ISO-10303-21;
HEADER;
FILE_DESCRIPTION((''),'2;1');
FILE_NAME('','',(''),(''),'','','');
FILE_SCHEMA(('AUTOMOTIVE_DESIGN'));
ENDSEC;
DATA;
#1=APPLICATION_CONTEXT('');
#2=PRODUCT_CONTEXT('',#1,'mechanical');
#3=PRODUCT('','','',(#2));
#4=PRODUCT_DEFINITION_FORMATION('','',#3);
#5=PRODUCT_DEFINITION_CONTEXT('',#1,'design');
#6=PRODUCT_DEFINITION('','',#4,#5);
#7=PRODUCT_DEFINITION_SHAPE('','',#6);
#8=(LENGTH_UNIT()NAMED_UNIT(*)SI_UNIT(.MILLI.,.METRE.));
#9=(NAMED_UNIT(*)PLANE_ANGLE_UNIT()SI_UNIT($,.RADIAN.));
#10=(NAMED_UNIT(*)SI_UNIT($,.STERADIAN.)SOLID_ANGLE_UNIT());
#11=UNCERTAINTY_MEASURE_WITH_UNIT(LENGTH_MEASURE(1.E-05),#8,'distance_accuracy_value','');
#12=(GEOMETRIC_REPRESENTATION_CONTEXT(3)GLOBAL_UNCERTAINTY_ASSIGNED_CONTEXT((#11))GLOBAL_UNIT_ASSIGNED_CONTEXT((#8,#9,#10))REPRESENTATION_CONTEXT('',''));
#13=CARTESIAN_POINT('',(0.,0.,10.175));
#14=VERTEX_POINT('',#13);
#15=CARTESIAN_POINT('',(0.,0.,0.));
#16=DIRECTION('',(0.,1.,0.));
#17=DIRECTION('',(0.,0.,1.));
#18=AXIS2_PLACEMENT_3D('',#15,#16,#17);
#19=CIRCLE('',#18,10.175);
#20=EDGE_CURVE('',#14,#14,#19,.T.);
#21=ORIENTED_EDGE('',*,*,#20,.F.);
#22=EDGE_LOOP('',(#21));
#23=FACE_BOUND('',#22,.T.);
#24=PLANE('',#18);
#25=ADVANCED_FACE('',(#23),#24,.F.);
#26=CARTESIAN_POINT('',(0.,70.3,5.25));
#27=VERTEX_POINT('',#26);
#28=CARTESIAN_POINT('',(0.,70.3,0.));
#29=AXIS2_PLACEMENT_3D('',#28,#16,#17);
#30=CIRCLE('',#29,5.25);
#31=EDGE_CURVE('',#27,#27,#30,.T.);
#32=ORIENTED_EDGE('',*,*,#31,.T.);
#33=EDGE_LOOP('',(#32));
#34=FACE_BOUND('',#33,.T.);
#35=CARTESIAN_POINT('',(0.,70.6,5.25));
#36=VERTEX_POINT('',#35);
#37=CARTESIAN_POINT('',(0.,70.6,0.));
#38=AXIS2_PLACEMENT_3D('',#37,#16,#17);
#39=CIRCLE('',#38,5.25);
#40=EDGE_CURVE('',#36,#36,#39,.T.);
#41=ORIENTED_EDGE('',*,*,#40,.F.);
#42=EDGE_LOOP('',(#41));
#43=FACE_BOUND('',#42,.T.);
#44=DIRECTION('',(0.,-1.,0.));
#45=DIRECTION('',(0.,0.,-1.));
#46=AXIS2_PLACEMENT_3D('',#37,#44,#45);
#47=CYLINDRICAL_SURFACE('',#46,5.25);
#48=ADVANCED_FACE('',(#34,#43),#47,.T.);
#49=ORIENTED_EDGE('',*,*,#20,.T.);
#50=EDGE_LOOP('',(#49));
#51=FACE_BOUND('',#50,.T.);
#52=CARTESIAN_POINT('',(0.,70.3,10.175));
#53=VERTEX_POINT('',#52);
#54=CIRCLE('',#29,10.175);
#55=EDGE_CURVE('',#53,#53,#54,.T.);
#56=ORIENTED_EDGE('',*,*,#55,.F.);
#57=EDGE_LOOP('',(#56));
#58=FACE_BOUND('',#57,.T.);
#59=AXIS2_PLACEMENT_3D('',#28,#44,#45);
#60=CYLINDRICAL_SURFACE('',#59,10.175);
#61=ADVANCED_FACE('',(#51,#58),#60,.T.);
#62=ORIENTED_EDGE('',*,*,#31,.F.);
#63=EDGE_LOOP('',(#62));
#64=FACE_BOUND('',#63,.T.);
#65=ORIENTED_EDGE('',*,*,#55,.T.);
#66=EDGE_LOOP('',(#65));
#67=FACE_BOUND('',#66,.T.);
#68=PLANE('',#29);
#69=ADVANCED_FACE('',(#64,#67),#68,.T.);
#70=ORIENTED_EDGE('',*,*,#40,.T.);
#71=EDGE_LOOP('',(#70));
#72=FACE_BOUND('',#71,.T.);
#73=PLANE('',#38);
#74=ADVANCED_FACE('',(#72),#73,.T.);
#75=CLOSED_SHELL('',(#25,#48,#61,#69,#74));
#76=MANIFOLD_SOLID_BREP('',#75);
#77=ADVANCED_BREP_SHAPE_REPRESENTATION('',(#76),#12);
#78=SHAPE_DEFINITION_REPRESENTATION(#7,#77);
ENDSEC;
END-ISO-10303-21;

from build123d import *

# Parameters (mm, degrees)
SKETCH1_R           = 10.175
BOSS_EXTRUDE1_DEPTH = 70.3
SKETCH2_R           = 5.25
BOSS_EXTRUDE2_DEPTH = 0.3


with BuildPart() as part:
    # Sketch1 → Boss-Extrude1 (new body)
    with BuildSketch(Plane(origin=(0, 0, 0), x_dir=(1, 0, 0), z_dir=(0, 1, 0))):
        Circle(SKETCH1_R)
    extrude(amount=BOSS_EXTRUDE1_DEPTH)

    # Sketch2 → Boss-Extrude2 (add)
    with BuildSketch(Plane(origin=(0, 70.3, 0), x_dir=(1, 0, 0), z_dir=(0, 1, 0))):
        Circle(SKETCH2_R)
    extrude(amount=BOSS_EXTRUDE2_DEPTH)


solid = part.part
